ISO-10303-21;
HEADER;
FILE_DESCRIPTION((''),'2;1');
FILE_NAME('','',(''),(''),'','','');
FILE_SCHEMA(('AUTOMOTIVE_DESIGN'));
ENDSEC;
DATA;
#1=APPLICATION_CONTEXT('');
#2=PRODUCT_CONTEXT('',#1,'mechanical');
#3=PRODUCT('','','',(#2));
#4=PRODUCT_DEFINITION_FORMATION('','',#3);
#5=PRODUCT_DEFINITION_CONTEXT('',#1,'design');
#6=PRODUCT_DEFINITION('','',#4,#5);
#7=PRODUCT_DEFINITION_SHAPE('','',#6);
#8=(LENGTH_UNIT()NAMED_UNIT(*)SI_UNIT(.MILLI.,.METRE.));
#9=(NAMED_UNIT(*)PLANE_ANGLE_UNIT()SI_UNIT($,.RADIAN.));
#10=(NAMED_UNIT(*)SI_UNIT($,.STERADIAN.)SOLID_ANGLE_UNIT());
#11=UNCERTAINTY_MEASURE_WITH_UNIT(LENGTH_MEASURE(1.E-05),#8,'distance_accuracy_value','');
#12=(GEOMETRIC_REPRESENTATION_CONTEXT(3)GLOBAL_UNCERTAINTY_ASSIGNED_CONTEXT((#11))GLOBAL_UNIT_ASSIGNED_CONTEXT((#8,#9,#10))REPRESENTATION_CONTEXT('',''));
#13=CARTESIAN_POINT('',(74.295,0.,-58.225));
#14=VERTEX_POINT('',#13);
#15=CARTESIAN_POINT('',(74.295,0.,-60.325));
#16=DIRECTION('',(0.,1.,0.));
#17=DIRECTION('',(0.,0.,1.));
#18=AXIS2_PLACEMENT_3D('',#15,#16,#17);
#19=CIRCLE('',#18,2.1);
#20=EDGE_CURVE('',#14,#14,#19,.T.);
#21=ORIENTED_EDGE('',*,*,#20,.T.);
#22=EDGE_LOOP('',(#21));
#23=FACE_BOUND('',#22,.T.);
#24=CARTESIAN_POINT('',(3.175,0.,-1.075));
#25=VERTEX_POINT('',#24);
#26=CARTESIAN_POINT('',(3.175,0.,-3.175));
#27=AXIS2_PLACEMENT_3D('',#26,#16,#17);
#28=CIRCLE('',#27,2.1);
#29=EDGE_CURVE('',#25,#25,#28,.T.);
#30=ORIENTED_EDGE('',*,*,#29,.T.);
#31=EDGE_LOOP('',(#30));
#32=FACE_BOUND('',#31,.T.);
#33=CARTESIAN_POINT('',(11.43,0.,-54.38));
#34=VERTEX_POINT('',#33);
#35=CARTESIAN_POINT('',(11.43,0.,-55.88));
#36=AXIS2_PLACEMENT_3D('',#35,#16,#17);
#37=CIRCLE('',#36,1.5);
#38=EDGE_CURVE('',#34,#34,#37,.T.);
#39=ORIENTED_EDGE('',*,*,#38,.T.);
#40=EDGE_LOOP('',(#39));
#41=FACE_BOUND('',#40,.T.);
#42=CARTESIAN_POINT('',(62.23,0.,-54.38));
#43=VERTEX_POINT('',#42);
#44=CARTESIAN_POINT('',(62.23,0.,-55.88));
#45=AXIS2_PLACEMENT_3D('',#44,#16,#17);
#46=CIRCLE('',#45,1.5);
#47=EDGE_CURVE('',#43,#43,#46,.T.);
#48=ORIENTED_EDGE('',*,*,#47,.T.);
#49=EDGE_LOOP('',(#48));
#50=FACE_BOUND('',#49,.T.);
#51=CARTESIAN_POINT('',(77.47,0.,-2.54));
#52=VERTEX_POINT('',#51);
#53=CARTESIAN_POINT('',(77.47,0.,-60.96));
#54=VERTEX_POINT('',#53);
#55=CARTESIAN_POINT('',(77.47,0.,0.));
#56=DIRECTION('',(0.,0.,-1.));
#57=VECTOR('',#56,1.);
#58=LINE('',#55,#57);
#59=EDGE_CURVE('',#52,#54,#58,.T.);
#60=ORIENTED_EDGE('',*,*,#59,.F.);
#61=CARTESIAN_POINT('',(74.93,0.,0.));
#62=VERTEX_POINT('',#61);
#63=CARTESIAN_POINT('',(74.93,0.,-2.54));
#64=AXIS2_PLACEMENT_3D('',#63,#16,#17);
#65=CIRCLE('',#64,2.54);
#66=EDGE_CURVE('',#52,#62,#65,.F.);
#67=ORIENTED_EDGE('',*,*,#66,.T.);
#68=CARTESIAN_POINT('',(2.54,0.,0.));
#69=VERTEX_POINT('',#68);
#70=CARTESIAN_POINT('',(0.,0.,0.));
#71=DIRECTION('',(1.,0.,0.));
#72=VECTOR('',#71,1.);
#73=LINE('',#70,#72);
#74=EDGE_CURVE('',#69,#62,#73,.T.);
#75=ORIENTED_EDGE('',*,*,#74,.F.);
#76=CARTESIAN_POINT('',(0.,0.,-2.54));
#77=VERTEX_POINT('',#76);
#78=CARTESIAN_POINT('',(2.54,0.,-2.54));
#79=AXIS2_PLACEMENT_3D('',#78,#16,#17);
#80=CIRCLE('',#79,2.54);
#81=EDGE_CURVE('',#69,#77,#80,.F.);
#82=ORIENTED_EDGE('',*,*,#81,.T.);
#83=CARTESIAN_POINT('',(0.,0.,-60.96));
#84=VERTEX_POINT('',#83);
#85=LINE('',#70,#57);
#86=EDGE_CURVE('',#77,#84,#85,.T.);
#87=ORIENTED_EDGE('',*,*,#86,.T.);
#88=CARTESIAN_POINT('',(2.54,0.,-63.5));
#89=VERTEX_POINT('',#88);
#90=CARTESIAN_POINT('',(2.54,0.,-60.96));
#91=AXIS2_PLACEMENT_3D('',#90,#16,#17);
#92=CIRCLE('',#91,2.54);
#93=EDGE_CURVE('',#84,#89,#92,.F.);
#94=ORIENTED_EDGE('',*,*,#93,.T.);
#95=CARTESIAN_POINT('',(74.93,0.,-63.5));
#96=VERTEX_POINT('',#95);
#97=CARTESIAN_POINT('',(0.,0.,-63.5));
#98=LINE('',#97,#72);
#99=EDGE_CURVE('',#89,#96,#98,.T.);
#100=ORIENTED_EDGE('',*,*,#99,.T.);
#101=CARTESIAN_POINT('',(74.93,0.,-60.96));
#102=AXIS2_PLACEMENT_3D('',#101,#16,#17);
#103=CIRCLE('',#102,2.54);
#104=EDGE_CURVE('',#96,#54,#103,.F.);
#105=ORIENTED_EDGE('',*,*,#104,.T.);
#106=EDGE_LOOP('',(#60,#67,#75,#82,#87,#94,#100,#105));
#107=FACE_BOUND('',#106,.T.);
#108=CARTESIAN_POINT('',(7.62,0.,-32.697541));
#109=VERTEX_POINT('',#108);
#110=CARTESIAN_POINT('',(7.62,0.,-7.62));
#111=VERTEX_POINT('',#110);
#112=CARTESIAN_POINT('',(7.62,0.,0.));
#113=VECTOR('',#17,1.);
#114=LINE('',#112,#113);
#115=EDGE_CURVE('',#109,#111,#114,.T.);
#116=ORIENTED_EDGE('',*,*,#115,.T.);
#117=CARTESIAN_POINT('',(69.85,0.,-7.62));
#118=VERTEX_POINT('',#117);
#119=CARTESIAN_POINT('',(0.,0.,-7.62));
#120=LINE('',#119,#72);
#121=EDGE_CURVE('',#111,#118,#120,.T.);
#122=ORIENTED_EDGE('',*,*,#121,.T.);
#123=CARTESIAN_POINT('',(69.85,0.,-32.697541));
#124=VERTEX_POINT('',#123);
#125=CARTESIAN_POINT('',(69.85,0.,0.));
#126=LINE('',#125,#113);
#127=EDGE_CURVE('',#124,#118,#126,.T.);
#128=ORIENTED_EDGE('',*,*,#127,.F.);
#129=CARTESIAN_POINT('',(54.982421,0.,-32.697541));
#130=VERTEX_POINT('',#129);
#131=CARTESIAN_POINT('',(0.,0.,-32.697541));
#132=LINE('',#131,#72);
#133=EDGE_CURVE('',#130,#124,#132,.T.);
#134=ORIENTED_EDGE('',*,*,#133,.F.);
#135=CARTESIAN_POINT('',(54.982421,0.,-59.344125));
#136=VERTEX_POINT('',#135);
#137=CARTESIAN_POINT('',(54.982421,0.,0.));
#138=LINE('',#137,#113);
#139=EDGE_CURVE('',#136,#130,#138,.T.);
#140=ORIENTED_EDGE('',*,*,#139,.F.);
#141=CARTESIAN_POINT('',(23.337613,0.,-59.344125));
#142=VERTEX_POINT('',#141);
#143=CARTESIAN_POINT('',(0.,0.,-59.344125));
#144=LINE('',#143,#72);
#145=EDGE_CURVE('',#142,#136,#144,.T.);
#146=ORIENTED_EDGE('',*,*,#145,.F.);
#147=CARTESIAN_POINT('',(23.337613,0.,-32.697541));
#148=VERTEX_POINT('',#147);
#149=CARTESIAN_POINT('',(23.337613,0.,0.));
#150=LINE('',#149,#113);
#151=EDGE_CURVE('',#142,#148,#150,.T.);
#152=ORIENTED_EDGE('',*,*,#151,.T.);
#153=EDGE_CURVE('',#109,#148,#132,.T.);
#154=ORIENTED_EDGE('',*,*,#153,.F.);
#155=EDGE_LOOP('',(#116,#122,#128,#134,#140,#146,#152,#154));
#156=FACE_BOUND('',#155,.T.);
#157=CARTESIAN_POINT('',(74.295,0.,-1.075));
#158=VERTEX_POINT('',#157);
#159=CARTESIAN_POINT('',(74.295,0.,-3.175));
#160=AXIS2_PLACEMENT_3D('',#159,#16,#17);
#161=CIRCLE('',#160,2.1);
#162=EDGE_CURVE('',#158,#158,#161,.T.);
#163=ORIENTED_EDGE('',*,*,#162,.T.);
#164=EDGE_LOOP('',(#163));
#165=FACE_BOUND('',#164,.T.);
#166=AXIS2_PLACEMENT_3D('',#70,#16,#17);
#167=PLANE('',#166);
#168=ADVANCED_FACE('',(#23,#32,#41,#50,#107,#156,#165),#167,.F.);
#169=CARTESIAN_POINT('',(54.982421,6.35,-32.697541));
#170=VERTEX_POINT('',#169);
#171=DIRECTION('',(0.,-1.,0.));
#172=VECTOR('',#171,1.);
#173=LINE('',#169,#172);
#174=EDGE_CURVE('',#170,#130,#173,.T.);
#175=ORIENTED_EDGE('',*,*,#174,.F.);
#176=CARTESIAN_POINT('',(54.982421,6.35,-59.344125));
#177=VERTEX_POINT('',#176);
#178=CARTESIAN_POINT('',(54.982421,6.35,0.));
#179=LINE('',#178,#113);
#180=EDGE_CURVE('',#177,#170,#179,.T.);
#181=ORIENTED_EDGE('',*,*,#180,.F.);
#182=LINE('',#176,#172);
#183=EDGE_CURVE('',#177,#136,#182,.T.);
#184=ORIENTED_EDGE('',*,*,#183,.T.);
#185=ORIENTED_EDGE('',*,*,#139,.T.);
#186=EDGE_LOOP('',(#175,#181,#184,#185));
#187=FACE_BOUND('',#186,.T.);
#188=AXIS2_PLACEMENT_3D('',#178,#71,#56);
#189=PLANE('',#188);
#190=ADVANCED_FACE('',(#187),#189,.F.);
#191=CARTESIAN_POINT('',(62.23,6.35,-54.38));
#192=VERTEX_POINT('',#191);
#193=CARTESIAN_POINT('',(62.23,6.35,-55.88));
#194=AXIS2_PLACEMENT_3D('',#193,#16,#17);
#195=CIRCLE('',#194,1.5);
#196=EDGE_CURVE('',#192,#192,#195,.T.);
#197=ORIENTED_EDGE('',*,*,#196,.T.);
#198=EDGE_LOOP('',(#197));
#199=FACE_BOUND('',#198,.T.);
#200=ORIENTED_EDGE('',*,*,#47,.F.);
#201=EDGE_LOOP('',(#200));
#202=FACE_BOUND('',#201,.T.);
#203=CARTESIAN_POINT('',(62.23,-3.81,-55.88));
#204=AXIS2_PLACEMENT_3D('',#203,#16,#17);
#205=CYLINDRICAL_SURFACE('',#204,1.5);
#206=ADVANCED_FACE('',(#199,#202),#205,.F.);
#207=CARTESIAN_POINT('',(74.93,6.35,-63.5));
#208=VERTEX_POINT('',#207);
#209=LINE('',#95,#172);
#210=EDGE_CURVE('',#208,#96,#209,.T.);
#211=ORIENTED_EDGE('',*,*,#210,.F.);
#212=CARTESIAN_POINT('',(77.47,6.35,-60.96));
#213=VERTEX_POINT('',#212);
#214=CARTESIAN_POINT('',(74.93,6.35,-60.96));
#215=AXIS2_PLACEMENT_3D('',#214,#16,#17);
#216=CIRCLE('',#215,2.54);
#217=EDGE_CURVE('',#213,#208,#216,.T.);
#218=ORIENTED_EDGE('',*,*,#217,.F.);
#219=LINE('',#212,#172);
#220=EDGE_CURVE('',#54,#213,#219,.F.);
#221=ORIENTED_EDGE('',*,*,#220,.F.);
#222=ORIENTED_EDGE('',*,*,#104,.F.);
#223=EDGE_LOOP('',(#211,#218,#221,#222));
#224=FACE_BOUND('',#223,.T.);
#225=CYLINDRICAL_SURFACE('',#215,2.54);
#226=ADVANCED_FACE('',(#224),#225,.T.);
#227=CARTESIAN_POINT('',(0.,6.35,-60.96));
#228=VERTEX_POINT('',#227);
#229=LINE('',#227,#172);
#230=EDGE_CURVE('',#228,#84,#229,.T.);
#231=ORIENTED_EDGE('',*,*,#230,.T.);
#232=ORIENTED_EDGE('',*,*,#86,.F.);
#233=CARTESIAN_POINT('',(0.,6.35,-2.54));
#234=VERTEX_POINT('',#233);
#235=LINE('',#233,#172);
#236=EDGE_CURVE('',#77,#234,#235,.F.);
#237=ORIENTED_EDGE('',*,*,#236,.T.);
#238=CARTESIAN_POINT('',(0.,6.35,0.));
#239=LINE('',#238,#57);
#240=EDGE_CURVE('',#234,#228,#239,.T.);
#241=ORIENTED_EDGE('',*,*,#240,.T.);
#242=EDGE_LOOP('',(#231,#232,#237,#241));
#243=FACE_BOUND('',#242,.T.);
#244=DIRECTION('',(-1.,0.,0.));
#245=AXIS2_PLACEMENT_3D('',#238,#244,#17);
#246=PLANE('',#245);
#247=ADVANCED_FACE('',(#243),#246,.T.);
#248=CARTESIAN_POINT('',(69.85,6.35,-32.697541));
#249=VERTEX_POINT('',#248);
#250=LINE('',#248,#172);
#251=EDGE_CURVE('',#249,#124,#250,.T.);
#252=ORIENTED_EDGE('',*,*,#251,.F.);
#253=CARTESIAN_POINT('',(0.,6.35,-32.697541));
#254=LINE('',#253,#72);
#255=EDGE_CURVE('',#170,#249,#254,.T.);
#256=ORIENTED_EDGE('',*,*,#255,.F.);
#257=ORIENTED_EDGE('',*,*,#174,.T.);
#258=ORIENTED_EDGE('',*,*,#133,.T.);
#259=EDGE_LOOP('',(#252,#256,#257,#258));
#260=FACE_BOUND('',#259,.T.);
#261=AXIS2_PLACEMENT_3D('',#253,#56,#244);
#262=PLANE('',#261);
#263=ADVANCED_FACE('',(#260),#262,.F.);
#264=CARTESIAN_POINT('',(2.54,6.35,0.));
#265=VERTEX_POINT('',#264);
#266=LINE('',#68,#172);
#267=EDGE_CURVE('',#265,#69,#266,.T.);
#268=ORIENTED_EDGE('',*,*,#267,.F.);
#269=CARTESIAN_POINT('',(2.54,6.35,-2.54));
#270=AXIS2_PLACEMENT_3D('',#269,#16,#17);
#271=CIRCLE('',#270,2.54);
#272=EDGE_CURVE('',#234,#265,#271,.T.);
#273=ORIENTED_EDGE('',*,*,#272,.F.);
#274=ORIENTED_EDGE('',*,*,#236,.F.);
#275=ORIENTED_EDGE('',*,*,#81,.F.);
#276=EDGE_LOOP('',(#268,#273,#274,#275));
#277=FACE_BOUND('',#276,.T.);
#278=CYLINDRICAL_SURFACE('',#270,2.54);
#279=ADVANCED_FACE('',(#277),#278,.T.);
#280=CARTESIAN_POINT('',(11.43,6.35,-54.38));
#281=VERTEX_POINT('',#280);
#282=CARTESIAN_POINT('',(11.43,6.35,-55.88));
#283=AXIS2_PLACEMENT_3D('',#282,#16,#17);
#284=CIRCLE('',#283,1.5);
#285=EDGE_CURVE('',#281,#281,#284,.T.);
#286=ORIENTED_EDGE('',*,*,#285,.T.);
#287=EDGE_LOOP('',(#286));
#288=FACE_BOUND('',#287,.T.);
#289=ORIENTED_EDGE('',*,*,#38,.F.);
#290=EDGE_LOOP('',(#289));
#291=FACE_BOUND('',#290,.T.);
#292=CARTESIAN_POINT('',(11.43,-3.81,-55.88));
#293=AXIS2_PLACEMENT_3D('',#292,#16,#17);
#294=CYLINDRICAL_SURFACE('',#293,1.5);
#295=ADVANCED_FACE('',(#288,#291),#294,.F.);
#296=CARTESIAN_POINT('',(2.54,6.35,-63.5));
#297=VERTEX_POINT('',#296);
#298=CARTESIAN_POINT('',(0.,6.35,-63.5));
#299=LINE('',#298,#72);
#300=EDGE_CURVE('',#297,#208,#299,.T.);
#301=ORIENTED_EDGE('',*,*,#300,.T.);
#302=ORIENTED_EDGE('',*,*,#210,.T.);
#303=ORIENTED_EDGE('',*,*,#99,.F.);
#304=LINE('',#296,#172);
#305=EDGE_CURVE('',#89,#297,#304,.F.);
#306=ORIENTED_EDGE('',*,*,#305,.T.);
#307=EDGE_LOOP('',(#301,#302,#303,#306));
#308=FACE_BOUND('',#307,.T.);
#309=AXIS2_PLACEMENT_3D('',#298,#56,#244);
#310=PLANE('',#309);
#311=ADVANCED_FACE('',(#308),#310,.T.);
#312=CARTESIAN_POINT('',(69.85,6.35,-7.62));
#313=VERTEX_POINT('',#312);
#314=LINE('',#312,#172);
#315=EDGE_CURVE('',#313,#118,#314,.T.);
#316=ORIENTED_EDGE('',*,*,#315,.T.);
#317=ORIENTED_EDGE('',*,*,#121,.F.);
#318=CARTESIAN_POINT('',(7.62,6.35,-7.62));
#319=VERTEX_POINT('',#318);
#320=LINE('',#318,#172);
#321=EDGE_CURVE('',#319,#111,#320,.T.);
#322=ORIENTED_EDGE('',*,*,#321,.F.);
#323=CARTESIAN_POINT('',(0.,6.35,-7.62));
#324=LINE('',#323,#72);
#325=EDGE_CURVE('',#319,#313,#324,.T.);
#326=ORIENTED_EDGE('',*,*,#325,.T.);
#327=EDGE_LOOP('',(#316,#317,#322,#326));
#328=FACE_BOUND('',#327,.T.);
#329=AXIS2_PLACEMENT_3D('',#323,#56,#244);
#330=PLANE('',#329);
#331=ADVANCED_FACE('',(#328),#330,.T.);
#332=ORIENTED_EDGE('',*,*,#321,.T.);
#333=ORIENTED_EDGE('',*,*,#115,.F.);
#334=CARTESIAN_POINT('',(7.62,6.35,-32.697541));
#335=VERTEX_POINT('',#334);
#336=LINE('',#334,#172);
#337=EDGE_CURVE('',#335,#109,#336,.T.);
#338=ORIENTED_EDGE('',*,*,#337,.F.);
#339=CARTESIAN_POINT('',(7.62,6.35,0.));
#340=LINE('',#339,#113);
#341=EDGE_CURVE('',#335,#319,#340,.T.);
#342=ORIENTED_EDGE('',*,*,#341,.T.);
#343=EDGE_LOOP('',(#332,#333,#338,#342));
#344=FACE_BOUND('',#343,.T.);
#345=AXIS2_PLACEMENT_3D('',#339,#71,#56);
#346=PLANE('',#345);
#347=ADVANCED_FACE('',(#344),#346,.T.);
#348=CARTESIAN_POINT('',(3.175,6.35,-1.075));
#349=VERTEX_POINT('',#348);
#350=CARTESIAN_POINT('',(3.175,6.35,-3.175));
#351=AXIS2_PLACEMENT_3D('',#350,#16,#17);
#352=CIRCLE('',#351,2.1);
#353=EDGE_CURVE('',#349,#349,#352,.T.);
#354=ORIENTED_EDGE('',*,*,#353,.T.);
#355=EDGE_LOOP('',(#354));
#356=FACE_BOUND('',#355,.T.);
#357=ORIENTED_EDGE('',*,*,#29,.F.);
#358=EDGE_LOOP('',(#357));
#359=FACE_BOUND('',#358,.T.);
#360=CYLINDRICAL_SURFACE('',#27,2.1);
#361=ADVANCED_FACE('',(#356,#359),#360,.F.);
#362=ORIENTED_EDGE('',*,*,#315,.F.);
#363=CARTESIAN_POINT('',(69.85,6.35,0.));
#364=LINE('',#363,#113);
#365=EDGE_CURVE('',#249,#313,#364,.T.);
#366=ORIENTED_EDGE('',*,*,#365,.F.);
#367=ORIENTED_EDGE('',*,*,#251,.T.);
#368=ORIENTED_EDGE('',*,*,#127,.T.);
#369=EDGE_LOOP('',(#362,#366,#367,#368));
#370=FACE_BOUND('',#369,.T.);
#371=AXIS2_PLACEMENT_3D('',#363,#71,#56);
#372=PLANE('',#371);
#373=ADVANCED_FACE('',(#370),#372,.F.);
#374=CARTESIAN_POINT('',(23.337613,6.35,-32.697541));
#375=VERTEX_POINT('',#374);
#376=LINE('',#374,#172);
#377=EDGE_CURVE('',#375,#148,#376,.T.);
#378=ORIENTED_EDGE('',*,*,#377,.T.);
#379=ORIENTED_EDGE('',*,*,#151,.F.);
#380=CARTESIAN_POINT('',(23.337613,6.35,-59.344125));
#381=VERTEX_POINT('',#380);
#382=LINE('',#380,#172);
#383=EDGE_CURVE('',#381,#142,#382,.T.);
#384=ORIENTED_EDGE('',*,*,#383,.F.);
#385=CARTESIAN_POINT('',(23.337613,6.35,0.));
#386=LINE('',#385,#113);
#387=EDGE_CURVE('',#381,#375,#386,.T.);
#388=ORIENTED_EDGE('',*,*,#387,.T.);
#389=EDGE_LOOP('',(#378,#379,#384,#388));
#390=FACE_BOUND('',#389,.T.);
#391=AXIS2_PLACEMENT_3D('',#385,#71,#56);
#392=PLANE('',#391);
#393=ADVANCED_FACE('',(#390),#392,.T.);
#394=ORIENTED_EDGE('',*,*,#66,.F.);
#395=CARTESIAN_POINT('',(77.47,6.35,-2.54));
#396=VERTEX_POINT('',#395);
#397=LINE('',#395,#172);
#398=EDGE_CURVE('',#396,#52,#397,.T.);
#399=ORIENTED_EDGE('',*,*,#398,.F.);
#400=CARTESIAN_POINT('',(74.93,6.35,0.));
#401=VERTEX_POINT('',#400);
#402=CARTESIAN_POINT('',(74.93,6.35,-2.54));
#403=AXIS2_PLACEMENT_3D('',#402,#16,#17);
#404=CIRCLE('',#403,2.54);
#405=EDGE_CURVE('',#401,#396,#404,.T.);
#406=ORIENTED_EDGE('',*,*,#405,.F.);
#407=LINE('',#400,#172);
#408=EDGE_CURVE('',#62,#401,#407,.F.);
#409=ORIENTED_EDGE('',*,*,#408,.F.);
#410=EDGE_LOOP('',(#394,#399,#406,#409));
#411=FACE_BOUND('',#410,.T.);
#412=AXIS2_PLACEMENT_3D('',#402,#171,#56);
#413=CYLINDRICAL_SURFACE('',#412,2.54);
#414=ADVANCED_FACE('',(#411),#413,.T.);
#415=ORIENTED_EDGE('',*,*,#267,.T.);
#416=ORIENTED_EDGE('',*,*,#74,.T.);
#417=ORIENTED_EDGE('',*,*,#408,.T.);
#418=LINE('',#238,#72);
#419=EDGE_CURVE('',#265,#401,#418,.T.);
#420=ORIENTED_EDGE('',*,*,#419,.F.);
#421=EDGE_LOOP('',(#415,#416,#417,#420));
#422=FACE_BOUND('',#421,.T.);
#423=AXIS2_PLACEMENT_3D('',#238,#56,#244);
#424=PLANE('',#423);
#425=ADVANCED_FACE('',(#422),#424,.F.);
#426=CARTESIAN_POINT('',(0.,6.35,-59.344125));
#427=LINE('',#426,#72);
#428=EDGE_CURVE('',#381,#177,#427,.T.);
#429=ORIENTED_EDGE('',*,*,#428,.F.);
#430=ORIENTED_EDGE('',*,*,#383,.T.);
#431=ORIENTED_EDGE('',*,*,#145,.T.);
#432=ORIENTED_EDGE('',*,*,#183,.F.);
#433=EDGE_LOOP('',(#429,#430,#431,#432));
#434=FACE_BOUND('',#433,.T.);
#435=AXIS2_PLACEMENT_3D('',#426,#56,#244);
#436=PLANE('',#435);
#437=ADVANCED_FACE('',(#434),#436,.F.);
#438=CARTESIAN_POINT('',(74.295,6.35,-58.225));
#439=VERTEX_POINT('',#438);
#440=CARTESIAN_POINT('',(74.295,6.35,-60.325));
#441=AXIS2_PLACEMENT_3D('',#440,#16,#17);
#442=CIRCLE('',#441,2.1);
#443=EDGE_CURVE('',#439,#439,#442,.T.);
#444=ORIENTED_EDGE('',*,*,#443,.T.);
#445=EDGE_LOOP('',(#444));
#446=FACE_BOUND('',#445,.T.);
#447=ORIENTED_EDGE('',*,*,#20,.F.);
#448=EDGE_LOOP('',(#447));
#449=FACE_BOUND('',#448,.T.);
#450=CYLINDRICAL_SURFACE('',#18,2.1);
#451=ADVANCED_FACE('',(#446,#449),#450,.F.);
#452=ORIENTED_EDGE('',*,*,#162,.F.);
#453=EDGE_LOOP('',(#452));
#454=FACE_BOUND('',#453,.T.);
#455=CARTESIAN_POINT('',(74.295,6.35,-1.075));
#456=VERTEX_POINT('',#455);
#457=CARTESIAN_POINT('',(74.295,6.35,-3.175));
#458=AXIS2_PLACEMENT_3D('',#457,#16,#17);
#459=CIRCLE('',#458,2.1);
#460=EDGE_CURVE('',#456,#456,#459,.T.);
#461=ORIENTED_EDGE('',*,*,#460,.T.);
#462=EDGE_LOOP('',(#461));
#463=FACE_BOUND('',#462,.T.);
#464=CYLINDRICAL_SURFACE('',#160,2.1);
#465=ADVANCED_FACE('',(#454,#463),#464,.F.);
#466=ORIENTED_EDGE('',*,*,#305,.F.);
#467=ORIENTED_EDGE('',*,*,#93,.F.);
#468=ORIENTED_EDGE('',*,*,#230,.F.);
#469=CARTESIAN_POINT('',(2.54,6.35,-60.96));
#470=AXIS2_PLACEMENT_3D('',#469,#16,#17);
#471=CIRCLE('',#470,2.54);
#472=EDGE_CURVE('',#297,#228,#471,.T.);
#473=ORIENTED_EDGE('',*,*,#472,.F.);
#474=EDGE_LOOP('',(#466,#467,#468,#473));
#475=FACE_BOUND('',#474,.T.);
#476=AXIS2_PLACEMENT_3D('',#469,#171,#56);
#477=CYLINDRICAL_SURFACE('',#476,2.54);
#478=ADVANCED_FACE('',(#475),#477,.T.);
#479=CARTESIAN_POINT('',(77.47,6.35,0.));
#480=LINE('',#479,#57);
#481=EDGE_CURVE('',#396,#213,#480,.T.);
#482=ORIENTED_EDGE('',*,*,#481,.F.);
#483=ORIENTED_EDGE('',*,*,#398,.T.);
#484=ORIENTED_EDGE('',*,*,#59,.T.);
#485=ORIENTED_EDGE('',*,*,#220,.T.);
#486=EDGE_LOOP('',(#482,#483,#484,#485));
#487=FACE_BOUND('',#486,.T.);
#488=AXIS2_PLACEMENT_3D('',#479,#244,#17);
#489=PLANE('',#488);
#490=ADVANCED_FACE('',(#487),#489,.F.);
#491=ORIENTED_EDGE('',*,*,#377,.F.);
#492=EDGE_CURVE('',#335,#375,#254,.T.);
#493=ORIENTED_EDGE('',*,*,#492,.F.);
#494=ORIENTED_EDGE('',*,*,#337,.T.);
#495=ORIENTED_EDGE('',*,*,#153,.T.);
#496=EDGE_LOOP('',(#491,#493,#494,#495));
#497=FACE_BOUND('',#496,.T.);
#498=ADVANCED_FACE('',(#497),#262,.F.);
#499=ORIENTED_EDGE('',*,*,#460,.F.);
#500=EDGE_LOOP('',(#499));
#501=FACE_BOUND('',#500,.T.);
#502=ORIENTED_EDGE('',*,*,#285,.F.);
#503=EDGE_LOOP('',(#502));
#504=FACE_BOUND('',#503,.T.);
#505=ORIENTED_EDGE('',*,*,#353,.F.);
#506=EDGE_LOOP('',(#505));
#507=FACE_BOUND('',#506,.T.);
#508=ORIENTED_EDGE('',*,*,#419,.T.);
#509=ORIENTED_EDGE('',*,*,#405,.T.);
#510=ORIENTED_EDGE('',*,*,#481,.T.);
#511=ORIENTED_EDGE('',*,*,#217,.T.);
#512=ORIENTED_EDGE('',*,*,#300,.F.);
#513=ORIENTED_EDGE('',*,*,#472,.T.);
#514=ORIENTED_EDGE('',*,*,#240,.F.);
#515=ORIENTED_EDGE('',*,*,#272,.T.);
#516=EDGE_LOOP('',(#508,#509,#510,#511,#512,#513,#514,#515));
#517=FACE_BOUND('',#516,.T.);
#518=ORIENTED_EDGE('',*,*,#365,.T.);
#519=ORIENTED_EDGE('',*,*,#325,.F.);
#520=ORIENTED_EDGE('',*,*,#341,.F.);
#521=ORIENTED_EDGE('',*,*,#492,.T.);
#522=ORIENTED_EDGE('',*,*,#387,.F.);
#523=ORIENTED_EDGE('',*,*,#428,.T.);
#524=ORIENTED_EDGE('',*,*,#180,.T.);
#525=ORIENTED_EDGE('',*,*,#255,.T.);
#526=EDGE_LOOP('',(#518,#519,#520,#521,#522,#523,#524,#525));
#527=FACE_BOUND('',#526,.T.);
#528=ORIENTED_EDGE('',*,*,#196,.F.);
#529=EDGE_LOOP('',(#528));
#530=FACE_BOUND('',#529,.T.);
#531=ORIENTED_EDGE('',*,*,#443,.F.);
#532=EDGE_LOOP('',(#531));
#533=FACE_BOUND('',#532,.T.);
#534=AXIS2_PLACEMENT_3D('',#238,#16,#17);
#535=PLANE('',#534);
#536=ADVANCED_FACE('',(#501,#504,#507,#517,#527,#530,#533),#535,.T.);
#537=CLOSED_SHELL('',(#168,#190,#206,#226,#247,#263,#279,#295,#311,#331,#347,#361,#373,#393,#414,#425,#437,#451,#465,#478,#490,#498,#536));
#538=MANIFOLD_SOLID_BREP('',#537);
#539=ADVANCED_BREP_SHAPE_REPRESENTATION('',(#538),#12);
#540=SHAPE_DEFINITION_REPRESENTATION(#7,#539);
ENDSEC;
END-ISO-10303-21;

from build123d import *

# Parameters (mm, degrees)
SKETCH1_W           = 77.47
SKETCH1_H           = 63.5
BOSS_EXTRUDE1_DEPTH = 6.35
SKETCH2_R           = 2.1
CUT_EXTRUDE1_DEPTH  = 6.35
FILLET1_R           = 2.54
SKETCH3_R           = 1.5
CUT_EXTRUDE2_DEPTH  = 10.16


with BuildPart() as part:
    # Sketch1 → Boss-Extrude1 (new body)
    with BuildSketch(Plane(origin=(0, 0, 0), x_dir=(1, 0, 0), z_dir=(0, 1, 0))):
        with Locations((38.735, 31.75)):
            Rectangle(SKETCH1_W, SKETCH1_H)
        Polygon((23.33761346, 32.697540577), (23.33761346, 59.344124755), (54.982420655, 59.344124755), (54.982420655, 32.697540577), (69.85, 32.697540577), (69.85, 7.62), (7.62, 7.62), (7.62, 32.697540577), align=None, mode=Mode.SUBTRACT)
    extrude(amount=BOSS_EXTRUDE1_DEPTH)

    # Sketch2 → Cut-Extrude1 (cut)
    with BuildSketch(Plane(origin=(0, 6.35, 0), x_dir=(1, 0, 0), z_dir=(0, 1, 0))):
        with Locations(Location((3.175, 3.175, 0), (0, 0, 270))):
            Circle(SKETCH2_R)
        with Locations(Location((74.295, 3.175, 0), (0, 0, 270))):
            Circle(SKETCH2_R)
        with Locations(Location((74.295, 60.325, 0), (0, 0, 270))):
            Circle(SKETCH2_R)
    extrude(amount=-CUT_EXTRUDE1_DEPTH, mode=Mode.SUBTRACT)

    # Fillet1
    fillet1_edges = [part.edges().sort_by_distance(p)[0] for p in [
        (0, 3.175, 0),
        (0, 3.175, -63.5),
        (77.47, 3.175, -63.5),
        (77.47, 3.175, 0),
    ]]
    fillet(fillet1_edges, radius=FILLET1_R)

    # Sketch3 → Cut-Extrude2 (cut)
    with BuildSketch(Plane(origin=(0, 6.35, 0), x_dir=(1, 0, 0), z_dir=(0, 1, 0))):
        with Locations(Location((11.43, 55.88, 0), (0, 0, 270))):
            Circle(SKETCH3_R)
        with Locations(Location((62.23, 55.88, 0), (0, 0, 270))):
            Circle(SKETCH3_R)
    extrude(amount=-CUT_EXTRUDE2_DEPTH, mode=Mode.SUBTRACT)


solid = part.part
